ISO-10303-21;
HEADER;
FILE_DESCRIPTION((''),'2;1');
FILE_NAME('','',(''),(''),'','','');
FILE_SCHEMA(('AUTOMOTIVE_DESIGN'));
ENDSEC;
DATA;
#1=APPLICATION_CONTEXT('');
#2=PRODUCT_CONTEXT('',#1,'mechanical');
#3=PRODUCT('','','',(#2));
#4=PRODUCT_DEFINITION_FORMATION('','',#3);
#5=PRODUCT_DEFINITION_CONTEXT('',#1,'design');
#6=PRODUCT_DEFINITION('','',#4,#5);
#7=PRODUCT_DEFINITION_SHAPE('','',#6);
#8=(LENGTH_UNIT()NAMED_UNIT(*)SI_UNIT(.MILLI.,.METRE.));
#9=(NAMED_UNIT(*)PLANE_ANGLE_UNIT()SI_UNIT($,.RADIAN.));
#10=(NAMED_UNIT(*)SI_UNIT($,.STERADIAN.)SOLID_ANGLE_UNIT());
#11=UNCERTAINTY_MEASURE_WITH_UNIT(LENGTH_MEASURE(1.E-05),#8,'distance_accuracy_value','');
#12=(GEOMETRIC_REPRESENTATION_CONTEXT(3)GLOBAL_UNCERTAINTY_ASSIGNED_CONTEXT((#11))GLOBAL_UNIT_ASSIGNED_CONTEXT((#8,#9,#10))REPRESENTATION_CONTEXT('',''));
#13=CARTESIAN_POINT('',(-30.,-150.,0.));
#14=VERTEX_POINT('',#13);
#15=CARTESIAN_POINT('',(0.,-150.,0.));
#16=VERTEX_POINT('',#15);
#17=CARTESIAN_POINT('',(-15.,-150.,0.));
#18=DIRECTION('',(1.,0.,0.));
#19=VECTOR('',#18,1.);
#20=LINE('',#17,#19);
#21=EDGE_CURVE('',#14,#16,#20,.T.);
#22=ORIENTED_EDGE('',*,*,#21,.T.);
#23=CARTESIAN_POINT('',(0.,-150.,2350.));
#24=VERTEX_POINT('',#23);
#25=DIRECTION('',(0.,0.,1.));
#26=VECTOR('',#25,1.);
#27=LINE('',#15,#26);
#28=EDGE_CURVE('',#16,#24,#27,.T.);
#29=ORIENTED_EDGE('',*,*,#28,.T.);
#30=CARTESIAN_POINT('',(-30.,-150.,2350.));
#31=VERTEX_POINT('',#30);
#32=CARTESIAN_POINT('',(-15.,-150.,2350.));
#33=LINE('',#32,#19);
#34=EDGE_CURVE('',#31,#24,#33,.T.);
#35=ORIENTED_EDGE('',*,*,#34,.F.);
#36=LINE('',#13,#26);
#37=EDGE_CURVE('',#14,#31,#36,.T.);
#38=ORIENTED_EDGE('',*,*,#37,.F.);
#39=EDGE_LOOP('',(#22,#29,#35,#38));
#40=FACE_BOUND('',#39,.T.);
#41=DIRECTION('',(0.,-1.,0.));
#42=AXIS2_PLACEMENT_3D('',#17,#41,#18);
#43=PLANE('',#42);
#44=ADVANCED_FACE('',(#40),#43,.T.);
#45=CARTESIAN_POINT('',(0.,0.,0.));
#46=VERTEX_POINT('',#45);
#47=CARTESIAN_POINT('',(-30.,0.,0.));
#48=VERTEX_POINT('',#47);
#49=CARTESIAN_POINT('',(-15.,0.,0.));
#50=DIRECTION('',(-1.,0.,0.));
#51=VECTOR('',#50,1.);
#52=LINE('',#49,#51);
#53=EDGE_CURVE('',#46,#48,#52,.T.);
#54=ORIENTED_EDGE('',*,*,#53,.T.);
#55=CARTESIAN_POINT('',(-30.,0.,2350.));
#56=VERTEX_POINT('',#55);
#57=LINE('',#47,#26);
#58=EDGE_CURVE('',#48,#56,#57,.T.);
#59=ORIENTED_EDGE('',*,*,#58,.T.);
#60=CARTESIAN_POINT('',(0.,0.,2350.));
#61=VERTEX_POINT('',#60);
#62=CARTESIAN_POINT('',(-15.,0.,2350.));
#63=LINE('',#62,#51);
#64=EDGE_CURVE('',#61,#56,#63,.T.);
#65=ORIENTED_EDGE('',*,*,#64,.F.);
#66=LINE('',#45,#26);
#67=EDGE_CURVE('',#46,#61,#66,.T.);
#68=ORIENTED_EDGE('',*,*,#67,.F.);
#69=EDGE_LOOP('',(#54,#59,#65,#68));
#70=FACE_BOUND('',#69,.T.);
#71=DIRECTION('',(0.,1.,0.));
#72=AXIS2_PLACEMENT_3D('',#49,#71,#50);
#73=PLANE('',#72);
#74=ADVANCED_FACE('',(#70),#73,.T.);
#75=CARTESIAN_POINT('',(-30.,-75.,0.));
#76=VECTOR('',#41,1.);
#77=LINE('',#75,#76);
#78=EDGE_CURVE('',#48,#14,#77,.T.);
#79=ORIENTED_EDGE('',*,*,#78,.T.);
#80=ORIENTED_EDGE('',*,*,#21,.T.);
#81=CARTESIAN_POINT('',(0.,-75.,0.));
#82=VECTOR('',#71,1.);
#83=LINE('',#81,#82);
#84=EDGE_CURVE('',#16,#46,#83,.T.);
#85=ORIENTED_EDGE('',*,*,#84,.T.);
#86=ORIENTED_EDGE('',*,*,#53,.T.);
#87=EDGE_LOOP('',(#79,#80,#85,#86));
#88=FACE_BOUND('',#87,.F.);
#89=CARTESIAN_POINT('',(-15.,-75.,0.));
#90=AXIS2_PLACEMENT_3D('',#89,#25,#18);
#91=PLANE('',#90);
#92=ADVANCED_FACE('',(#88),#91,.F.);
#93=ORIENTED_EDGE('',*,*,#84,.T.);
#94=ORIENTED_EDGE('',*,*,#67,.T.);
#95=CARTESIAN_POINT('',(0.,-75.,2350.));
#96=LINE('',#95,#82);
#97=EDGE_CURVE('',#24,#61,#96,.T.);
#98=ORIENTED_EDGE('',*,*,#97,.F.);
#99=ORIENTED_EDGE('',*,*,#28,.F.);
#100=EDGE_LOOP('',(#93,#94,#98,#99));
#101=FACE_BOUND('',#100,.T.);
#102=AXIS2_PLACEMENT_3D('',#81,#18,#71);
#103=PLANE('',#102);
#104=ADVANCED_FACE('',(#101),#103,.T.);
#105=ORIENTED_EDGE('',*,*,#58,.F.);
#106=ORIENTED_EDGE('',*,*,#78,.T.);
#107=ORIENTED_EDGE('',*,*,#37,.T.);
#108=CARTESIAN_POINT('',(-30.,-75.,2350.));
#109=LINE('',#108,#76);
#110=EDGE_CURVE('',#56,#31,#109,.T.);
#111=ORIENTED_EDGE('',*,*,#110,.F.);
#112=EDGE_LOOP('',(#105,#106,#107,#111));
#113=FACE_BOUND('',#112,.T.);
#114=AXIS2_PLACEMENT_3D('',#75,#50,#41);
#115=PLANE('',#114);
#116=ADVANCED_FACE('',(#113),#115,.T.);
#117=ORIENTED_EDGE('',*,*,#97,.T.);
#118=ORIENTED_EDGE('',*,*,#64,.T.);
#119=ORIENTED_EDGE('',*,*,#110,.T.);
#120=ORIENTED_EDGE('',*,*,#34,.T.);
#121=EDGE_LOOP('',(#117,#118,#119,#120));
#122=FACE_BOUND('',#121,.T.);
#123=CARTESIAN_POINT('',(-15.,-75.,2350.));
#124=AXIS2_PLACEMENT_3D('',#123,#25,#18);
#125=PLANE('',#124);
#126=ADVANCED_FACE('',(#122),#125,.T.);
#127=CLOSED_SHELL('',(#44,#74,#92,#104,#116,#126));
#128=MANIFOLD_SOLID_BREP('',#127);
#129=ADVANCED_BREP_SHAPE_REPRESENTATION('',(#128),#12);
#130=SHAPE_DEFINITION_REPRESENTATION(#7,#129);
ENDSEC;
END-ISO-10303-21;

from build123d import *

# Parameters (mm, degrees)
F0_W = 30
F0_H = 150


with BuildPart() as f2:
    # F2: sweep along a path in F1
    with BuildLine(Plane.YZ) as f2_path:
        Line((0, 0), (0, 2350))
    # F0 (on Top) → F2 (sweep)
    with BuildSketch(Plane.XY):
        with Locations((-15, -75)):
            Rectangle(F0_W, F0_H)
    sweep(path=f2_path.line)


solid = f2.part
